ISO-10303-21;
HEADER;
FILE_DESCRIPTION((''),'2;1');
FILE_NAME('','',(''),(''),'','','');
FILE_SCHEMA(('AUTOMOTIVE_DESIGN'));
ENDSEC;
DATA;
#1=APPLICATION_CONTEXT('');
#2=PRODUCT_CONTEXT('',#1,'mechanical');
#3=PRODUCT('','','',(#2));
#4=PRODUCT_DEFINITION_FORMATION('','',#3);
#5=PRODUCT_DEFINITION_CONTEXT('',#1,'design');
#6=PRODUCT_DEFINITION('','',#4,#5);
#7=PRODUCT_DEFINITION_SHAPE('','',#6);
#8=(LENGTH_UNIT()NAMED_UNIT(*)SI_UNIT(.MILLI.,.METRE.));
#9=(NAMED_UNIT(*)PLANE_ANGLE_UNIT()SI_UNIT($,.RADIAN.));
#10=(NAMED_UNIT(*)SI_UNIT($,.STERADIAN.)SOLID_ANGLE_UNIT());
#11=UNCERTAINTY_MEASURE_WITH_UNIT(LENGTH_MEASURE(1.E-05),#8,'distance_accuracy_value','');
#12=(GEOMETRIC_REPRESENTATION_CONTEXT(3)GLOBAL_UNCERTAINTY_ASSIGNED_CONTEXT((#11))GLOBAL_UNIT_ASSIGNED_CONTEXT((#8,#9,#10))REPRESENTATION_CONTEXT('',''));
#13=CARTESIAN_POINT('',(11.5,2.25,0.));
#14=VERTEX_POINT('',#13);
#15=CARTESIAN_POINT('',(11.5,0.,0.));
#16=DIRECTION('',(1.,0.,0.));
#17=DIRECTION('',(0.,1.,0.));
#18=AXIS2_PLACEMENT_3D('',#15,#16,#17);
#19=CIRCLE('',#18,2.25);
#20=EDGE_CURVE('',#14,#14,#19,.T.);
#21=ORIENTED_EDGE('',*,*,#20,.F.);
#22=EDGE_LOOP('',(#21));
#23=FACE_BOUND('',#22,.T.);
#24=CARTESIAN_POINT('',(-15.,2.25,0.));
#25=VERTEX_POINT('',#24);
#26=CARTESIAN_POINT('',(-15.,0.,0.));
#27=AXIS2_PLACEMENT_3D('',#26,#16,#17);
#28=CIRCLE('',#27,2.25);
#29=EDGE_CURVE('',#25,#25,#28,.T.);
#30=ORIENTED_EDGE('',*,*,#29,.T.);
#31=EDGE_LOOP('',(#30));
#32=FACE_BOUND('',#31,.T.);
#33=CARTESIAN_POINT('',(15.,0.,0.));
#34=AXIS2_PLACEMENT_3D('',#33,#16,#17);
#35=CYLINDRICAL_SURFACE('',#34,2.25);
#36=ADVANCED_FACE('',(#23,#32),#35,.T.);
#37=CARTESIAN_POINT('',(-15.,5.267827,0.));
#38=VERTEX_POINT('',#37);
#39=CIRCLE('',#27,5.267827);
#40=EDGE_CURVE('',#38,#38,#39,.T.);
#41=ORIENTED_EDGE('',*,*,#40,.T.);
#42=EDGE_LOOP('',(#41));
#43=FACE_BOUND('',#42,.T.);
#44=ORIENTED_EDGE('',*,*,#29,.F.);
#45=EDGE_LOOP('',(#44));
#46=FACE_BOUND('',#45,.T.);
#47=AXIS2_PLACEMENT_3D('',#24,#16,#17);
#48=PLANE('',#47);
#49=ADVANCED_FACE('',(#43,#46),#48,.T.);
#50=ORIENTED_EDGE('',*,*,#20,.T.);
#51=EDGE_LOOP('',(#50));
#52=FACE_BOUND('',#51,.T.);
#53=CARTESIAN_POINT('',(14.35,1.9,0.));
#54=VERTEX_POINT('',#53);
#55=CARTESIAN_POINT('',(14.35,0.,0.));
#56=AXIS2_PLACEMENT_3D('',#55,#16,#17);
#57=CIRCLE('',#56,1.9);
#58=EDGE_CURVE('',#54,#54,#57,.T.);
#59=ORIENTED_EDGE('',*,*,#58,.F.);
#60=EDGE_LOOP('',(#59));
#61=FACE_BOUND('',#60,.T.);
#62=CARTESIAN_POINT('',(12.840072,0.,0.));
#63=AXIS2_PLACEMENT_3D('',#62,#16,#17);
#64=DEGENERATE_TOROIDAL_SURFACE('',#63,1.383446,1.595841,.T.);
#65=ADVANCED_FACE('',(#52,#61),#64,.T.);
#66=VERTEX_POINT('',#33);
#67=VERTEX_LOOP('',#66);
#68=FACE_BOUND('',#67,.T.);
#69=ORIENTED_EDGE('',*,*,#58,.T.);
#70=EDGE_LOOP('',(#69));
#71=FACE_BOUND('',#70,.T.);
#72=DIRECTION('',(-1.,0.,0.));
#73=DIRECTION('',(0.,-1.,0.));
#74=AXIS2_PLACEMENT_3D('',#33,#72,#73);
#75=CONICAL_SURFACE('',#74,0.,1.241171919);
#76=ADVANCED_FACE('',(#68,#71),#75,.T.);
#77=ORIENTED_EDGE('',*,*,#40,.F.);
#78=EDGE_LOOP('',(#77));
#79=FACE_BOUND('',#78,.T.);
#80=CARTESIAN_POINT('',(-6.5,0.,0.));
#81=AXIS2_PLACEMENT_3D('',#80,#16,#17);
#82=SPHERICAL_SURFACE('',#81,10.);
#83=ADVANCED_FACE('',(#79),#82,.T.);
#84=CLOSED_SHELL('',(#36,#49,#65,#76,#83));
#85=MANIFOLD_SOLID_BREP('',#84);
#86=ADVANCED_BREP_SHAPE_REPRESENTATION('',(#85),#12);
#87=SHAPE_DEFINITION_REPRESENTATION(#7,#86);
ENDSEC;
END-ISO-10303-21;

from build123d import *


with BuildPart() as part:
    # Croquis1 → Revolución1 (revolve)
    with BuildSketch(Plane.XY):
        with BuildLine():
            Line((15, 0), (14.35, 1.9))
            ThreePointArc((14.35, 1.9), (13.034591481, 2.967387775), (11.5, 2.25))
            Line((11.5, 2.25), (-15, 2.25))
            Line((-15, 2.25), (-15, 5.267826876))
            ThreePointArc((-15, 5.267826876), (-16.117692031, 2.738612788), (-16.5, 0))
            Line((-16.5, 0), (15, 0))
        make_face()
    revolve(axis=Axis((15, 0, 0), (-1, 0, 0)))


solid = part.part
